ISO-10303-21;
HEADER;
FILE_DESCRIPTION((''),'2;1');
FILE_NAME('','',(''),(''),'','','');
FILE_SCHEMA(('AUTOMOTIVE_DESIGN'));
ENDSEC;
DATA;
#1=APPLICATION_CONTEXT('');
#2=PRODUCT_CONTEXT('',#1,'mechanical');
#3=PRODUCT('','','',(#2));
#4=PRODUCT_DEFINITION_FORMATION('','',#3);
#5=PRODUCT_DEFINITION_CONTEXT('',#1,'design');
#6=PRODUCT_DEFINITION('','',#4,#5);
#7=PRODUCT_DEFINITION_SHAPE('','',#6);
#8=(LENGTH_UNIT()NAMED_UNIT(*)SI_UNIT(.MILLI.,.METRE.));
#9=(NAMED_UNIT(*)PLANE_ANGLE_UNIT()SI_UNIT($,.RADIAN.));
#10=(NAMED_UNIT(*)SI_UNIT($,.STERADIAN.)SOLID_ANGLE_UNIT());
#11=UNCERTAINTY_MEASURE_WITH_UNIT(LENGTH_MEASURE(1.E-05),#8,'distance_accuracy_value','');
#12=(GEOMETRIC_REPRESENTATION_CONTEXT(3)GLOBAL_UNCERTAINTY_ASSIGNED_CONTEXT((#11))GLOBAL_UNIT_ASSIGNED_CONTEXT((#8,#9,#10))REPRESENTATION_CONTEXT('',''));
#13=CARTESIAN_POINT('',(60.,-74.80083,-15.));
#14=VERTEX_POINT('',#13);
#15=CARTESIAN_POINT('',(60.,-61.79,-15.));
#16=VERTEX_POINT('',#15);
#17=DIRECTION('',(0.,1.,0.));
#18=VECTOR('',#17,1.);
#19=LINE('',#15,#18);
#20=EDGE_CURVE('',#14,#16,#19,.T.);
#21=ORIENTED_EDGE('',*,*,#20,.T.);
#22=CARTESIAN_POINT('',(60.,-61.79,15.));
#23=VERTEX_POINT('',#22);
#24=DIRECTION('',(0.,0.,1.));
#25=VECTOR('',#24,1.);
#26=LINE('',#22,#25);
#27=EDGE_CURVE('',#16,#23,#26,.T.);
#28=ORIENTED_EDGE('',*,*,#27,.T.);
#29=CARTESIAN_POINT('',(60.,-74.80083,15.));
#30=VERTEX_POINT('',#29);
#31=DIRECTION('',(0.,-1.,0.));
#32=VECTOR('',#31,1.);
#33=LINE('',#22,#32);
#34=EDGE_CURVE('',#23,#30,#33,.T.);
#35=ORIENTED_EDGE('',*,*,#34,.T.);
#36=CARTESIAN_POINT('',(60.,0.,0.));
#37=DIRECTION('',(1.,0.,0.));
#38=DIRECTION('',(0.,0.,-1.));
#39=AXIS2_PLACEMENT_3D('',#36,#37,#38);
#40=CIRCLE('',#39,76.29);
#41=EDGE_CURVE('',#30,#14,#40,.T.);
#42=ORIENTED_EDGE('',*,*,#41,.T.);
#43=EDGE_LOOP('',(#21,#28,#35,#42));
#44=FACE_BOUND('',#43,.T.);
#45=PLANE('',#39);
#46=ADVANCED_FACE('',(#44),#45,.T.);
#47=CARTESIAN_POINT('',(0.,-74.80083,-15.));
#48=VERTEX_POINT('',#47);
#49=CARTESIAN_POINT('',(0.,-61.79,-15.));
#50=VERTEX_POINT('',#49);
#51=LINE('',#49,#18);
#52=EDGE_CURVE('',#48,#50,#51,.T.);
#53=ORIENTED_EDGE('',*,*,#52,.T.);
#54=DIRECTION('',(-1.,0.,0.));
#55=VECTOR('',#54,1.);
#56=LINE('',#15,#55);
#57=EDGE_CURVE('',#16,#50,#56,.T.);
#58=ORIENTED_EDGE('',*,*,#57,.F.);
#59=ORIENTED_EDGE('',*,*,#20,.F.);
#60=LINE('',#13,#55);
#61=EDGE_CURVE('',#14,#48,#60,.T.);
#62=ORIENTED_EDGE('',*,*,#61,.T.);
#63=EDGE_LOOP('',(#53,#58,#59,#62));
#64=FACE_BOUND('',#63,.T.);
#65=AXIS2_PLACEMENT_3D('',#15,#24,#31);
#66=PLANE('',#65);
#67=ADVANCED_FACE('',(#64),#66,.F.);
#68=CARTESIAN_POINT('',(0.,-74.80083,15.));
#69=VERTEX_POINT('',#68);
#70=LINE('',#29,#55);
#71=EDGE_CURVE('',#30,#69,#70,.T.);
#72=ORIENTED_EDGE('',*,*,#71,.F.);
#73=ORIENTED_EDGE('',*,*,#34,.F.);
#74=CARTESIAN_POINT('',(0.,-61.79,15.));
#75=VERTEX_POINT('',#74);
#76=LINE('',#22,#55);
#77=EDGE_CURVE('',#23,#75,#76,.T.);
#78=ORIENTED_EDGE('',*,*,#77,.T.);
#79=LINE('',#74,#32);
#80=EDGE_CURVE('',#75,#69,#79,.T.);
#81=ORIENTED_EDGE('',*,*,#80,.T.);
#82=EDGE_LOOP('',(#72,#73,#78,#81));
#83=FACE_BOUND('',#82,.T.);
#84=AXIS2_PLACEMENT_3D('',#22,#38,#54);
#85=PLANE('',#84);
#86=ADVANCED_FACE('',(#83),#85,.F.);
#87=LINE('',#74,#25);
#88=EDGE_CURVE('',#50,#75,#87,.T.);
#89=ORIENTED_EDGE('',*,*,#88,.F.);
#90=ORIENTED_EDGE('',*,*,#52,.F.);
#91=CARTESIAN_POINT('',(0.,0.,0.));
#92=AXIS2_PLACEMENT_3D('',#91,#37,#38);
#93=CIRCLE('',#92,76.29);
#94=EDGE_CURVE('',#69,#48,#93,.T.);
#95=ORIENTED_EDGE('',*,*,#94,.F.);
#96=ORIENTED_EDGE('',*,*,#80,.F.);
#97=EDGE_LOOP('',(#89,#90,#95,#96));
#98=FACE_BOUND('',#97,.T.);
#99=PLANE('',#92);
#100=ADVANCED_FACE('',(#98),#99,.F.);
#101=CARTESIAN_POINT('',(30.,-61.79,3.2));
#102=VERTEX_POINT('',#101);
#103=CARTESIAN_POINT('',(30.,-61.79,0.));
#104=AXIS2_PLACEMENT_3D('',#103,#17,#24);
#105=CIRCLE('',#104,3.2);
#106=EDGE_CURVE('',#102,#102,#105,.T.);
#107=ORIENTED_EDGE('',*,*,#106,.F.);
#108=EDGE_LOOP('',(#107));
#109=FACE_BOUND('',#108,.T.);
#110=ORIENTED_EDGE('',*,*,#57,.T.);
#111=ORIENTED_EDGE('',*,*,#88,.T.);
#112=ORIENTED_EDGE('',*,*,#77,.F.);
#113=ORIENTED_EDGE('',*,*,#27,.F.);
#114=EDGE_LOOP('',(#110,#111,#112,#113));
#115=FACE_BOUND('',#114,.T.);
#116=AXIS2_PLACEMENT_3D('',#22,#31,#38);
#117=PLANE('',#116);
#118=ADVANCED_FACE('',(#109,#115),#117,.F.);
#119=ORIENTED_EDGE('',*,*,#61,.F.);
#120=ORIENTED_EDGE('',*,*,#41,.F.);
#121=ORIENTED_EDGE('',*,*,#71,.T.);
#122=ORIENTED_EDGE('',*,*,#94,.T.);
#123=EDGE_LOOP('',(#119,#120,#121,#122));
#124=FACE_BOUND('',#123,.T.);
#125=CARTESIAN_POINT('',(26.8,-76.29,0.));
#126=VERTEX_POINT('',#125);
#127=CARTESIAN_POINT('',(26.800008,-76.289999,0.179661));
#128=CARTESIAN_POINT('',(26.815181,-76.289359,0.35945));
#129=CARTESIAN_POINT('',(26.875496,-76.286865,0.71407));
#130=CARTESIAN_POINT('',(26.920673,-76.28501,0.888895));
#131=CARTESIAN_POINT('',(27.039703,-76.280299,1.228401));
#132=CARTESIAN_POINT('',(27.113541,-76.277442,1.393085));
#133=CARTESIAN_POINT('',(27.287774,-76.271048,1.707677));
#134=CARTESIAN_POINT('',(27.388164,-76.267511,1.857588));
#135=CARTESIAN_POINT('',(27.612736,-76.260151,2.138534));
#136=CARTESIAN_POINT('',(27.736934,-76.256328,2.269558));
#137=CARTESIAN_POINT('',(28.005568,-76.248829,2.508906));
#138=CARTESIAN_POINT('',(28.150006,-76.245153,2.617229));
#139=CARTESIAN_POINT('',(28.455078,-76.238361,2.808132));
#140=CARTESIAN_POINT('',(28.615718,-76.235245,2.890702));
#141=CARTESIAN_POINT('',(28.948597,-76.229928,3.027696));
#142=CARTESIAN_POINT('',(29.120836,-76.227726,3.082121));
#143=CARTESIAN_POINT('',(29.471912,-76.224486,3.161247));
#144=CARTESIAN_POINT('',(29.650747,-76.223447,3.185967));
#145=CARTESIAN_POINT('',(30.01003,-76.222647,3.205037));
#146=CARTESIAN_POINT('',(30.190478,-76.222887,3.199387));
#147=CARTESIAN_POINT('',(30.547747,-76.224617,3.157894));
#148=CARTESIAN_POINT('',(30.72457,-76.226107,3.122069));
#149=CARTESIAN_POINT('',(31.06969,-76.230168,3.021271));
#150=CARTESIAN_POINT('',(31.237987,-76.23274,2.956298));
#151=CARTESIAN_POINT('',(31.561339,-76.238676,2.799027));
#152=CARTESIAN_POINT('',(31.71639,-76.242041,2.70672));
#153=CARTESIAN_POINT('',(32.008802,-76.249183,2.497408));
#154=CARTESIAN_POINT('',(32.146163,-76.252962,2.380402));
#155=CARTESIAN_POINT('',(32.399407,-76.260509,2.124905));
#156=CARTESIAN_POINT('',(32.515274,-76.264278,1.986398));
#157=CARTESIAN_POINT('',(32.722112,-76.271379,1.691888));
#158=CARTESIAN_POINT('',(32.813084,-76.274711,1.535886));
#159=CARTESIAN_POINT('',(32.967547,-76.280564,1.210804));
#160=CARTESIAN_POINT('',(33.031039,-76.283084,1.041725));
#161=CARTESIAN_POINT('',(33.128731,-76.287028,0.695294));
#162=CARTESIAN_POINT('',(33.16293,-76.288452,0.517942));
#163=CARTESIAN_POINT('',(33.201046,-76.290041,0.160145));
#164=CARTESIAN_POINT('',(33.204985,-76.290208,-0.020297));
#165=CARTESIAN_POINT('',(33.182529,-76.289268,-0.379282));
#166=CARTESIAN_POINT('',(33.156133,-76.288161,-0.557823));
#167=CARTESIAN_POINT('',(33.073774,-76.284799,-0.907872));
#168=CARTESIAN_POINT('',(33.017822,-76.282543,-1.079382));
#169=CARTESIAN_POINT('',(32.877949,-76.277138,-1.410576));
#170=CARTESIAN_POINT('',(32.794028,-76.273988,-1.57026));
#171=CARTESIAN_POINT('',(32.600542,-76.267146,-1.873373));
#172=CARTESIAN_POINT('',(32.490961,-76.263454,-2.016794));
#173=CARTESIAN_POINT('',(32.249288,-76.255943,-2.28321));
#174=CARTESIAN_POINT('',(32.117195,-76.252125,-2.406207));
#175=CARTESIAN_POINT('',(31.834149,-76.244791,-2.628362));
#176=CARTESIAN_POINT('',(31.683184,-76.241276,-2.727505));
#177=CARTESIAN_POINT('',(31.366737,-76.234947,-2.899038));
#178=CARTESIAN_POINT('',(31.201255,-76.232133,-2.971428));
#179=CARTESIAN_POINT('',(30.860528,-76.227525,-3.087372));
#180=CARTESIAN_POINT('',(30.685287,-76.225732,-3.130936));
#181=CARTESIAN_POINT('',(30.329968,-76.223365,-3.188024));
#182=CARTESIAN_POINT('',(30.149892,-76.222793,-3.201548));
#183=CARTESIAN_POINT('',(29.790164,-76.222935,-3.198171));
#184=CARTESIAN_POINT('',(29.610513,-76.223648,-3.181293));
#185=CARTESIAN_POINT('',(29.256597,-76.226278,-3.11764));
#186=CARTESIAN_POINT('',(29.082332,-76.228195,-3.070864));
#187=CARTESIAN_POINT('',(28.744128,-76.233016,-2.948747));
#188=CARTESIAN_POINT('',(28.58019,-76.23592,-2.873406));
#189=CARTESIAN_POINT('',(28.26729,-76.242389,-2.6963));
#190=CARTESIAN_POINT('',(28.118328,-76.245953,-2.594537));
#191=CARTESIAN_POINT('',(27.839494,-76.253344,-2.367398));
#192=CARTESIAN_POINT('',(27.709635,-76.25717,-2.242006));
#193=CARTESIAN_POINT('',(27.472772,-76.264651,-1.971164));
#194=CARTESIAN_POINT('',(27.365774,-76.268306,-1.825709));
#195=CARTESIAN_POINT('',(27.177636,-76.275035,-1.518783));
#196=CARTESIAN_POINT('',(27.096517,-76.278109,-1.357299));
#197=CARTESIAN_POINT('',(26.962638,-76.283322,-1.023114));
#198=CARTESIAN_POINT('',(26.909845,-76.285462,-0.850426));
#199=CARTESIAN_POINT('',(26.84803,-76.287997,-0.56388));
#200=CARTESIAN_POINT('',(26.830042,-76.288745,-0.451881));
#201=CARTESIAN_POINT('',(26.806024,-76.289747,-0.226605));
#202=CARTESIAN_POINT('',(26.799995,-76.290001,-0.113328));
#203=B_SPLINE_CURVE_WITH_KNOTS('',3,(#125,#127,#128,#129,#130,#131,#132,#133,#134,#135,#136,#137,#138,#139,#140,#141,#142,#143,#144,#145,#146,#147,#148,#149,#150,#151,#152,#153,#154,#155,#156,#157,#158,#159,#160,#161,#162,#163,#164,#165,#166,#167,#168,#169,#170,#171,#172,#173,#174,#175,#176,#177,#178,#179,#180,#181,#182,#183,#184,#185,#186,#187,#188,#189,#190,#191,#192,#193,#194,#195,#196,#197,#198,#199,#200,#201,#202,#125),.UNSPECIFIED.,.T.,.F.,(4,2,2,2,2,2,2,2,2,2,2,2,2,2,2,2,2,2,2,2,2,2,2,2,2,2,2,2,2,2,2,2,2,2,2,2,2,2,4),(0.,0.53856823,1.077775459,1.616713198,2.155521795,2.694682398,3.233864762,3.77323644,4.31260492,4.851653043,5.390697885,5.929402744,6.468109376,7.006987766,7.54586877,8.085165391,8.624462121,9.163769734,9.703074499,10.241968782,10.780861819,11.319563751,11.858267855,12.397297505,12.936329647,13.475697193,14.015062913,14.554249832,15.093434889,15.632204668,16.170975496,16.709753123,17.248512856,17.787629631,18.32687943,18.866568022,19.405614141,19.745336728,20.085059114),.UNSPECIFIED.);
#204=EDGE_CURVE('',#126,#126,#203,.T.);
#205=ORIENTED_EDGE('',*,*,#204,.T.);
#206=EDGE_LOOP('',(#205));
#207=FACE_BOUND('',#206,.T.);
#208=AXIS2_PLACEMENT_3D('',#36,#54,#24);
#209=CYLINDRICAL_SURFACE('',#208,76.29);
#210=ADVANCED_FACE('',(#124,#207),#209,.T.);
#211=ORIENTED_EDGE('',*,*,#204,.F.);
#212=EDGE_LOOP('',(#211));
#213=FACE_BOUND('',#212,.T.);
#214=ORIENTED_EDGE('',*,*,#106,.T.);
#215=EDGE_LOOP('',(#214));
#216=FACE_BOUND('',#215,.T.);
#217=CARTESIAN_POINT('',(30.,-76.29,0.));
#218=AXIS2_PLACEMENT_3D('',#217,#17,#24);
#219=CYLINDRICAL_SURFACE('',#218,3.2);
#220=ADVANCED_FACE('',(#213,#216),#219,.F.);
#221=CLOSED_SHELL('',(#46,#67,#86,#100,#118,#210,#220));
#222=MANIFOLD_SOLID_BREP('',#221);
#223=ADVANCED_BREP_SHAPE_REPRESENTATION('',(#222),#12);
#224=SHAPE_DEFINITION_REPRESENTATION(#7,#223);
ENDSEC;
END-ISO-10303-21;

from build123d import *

# Parameters (mm, degrees)
BOSS_EXTRUDE1_DEPTH = 60
SKETCH2_R           = 3.2
CUT_EXTRUDE1_DEPTH  = 64.523617655


with BuildPart() as part:
    # Sketch1 → Boss-Extrude1 (new body)
    with BuildSketch(Plane(origin=(0, 0, 0), x_dir=(0, 0, -1), z_dir=(1, 0, 0))):
        with BuildLine():
            Line((-15, -61.79), (15, -61.79))
            Line((15, -61.79), (15, -74.800829541))
            ThreePointArc((15, -74.800829541), (0, -76.29), (-15, -74.800829541))
            Line((-15, -74.800829541), (-15, -61.79))
        make_face()
    extrude(amount=BOSS_EXTRUDE1_DEPTH)

    # Sketch2 → Cut-Extrude1 (cut, through all)
    with BuildSketch(Plane(origin=(0, -61.79, 0), x_dir=(1, 0, 0), z_dir=(0, 1, 0))):
        with Locations(Location((30, 0, 0), (0, 0, 270))):
            Circle(SKETCH2_R)
    extrude(amount=-CUT_EXTRUDE1_DEPTH, mode=Mode.SUBTRACT)


solid = part.part
